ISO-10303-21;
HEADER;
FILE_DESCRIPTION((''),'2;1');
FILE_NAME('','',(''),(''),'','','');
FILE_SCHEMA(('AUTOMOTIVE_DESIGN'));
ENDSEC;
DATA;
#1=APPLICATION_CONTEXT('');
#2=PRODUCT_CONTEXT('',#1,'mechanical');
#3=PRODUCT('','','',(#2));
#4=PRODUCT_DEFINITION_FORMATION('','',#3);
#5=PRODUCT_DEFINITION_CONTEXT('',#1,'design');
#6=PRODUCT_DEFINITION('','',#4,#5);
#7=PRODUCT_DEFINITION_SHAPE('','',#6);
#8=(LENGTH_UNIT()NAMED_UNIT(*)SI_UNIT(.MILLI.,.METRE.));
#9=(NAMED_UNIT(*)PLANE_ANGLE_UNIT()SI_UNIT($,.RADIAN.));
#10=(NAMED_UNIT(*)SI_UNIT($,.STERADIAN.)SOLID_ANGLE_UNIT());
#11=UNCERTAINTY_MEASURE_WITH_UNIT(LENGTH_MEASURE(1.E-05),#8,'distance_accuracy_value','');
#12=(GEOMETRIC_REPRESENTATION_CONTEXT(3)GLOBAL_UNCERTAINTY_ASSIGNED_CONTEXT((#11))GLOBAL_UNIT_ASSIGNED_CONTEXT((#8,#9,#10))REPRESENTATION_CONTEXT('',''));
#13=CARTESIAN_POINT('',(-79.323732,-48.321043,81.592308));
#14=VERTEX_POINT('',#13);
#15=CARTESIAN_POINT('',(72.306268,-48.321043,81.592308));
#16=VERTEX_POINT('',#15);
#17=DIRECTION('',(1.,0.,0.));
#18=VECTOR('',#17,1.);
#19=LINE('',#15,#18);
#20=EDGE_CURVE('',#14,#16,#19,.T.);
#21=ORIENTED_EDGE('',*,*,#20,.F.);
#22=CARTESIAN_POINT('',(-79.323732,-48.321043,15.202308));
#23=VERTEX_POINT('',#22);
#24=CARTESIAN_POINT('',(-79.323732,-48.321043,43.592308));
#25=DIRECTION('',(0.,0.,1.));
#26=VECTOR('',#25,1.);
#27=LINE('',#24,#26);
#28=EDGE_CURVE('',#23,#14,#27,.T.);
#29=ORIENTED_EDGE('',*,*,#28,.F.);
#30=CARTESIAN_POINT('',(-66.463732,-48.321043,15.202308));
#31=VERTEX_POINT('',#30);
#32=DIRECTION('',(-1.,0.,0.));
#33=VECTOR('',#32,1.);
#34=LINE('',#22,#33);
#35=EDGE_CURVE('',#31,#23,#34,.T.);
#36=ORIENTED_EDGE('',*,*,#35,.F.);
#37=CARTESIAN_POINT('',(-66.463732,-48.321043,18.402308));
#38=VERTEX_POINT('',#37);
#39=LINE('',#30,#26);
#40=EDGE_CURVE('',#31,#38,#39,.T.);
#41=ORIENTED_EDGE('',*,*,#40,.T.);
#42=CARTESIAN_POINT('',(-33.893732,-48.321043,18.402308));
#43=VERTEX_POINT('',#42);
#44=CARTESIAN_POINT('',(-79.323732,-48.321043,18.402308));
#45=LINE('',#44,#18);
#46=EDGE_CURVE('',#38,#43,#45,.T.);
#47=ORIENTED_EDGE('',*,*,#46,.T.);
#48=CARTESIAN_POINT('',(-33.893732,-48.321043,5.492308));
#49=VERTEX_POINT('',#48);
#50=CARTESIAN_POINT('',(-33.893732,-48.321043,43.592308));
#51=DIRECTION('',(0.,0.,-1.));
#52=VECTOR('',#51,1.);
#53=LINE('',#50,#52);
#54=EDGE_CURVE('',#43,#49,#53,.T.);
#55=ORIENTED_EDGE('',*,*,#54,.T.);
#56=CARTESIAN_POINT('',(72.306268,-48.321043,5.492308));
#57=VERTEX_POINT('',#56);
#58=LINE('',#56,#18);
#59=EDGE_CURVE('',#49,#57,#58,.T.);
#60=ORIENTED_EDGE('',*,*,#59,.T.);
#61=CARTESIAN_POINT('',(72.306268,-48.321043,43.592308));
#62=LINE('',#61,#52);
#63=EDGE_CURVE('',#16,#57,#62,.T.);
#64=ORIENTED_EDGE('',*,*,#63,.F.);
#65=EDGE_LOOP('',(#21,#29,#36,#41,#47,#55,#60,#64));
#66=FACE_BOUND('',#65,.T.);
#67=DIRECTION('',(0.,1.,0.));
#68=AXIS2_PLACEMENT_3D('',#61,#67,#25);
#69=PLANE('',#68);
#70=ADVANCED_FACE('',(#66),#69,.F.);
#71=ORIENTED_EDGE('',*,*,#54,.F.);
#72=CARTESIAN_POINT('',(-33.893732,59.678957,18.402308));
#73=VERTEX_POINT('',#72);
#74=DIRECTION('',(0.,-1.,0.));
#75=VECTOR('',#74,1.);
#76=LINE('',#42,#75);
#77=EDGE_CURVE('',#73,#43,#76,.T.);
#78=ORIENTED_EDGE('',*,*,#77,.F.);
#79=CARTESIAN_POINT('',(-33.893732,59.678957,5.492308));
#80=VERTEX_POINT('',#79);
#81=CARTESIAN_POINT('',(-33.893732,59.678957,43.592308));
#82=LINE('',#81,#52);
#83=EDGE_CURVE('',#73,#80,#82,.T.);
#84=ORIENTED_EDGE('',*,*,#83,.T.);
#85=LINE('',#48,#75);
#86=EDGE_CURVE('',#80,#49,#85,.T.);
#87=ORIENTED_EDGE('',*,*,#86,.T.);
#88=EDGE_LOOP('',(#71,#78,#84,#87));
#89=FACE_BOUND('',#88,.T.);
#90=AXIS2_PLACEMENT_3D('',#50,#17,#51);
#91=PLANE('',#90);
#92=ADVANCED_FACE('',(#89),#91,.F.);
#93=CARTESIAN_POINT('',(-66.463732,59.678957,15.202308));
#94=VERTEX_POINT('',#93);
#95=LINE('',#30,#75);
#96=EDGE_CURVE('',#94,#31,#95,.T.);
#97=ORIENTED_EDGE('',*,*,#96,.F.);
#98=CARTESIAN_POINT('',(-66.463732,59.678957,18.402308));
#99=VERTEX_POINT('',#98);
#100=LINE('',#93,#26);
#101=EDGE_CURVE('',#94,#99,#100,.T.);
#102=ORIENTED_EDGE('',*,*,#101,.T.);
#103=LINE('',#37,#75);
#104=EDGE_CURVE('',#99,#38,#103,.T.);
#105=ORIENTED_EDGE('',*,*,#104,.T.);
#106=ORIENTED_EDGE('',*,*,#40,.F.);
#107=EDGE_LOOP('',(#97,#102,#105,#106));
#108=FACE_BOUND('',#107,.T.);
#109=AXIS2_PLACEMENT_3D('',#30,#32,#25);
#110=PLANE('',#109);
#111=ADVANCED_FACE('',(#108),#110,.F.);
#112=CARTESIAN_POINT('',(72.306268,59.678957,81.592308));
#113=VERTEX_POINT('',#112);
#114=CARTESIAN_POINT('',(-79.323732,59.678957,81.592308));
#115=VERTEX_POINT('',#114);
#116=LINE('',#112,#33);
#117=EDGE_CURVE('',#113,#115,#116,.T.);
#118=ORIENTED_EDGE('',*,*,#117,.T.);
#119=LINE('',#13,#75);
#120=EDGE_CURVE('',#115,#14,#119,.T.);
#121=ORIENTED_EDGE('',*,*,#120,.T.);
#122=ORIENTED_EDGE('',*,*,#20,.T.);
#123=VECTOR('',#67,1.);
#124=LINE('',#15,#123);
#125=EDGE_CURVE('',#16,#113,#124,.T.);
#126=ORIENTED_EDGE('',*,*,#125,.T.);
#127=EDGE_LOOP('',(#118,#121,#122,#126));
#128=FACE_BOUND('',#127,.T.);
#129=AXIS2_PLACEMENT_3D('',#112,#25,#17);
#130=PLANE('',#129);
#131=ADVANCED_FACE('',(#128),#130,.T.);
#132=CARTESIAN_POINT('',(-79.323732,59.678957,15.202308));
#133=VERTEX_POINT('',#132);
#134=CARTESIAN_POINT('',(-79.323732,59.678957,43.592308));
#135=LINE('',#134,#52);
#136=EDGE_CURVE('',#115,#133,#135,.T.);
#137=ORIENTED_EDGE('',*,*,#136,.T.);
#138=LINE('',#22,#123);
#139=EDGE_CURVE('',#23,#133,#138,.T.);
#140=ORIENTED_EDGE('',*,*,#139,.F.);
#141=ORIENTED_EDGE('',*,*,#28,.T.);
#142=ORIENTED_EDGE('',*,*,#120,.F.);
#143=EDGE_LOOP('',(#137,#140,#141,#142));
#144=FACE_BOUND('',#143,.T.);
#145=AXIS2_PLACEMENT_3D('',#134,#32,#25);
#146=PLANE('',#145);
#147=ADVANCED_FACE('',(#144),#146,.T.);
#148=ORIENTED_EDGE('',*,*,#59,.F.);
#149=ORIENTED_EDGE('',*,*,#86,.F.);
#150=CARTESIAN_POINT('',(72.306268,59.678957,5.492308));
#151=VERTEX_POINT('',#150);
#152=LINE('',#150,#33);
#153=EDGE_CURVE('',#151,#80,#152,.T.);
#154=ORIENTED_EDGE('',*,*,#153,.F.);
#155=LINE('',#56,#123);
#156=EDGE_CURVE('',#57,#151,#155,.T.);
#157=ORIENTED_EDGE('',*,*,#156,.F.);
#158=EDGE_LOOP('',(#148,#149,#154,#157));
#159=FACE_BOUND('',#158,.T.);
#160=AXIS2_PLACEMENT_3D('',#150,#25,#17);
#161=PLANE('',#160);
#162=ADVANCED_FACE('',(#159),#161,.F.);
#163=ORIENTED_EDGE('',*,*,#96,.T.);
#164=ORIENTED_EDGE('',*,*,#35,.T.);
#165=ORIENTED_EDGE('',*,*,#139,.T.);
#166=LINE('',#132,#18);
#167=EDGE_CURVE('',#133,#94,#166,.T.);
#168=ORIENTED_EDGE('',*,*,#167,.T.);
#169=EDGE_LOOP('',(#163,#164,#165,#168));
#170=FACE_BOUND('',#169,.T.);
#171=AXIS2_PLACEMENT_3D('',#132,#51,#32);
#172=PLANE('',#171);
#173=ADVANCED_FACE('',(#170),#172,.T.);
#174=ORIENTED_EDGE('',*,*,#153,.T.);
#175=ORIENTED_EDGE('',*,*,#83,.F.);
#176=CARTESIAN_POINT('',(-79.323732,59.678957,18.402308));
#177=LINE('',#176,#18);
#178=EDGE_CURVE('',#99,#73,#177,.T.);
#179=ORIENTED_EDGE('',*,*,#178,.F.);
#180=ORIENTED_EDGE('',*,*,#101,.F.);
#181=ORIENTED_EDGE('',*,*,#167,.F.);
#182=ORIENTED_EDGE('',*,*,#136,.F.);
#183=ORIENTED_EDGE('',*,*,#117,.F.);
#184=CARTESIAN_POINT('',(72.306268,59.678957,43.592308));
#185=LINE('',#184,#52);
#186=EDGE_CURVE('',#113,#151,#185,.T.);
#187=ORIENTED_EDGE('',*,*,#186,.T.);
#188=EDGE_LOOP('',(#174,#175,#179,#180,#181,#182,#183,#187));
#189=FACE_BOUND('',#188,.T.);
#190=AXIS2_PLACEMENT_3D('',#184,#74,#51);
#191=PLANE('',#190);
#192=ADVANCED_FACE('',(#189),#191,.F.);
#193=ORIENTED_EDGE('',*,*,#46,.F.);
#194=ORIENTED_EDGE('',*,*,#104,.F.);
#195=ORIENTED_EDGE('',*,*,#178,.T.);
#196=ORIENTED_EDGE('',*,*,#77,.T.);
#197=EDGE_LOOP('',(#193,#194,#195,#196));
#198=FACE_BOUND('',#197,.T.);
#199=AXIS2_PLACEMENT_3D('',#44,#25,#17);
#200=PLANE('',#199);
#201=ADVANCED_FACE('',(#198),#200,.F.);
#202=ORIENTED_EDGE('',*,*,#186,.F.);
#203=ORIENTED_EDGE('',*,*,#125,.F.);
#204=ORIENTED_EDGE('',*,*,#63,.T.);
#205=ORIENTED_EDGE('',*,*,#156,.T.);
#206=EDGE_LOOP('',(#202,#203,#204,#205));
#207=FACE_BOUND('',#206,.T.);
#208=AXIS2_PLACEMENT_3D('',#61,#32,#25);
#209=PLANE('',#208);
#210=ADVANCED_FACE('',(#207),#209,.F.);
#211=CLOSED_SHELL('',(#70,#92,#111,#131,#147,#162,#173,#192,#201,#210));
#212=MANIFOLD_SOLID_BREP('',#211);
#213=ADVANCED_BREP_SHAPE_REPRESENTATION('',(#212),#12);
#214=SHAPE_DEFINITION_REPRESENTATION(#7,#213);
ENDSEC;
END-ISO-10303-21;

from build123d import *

# Parameters (mm, degrees)
SKETCH2_W           = 106.2
SKETCH2_H           = 108
BOSS_EXTRUDE1_DEPTH = 38.1
SKETCH3_W           = 25.19
SKETCH3_H           = 108
BOSS_EXTRUDE2_DEPTH = 45.43
SKETCH5_W           = 12.86
SKETCH5_H           = 108
BOSS_EXTRUDE4_DEPTH = 3.2
SKETCH6_W           = 151.63
SKETCH6_H           = 108
CUT_EXTRUDE1_DEPTH  = 21
SKETCH7_W           = 151.63
SKETCH7_H           = 108
BOSS_EXTRUDE5_DEPTH = 59


with BuildPart() as part:
    # Sketch2 → Boss-Extrude1 (new body)
    with BuildSketch(Plane.XY.offset(5.492308275)):
        with Locations((19.206268294, 5.678957245)):
            Rectangle(SKETCH2_W, SKETCH2_H)
    extrude(amount=BOSS_EXTRUDE1_DEPTH)

    # Sketch3 → Boss-Extrude2 (add)
    with BuildSketch(Plane.ZY.offset(33.893731706)):
        with Locations((30.997308275, 5.678957245)):
            Rectangle(SKETCH3_W, SKETCH3_H)
    extrude(amount=BOSS_EXTRUDE2_DEPTH)

    # Sketch5 → Boss-Extrude4 (add)
    with BuildSketch(Plane(origin=(0, 0, 18.402308275), x_dir=(-1, 0, 0), z_dir=(0, 0, -1))):
        with Locations((72.893731706, 5.678957245)):
            Rectangle(SKETCH5_W, SKETCH5_H)
    extrude(amount=BOSS_EXTRUDE4_DEPTH)

    # Sketch6 → Cut-Extrude1 (cut)
    with BuildSketch(Plane.XY.offset(43.592308275)):
        with Locations((-3.508731706, 5.678957245)):
            Rectangle(SKETCH6_W, SKETCH6_H)
    extrude(amount=-CUT_EXTRUDE1_DEPTH, mode=Mode.SUBTRACT)

    # Sketch7 → Boss-Extrude5 (add)
    with BuildSketch(Plane.XY.offset(22.592308275)):
        with Locations((-3.508731706, 5.678957245)):
            Rectangle(SKETCH7_W, SKETCH7_H)
    extrude(amount=BOSS_EXTRUDE5_DEPTH)


solid = part.part
